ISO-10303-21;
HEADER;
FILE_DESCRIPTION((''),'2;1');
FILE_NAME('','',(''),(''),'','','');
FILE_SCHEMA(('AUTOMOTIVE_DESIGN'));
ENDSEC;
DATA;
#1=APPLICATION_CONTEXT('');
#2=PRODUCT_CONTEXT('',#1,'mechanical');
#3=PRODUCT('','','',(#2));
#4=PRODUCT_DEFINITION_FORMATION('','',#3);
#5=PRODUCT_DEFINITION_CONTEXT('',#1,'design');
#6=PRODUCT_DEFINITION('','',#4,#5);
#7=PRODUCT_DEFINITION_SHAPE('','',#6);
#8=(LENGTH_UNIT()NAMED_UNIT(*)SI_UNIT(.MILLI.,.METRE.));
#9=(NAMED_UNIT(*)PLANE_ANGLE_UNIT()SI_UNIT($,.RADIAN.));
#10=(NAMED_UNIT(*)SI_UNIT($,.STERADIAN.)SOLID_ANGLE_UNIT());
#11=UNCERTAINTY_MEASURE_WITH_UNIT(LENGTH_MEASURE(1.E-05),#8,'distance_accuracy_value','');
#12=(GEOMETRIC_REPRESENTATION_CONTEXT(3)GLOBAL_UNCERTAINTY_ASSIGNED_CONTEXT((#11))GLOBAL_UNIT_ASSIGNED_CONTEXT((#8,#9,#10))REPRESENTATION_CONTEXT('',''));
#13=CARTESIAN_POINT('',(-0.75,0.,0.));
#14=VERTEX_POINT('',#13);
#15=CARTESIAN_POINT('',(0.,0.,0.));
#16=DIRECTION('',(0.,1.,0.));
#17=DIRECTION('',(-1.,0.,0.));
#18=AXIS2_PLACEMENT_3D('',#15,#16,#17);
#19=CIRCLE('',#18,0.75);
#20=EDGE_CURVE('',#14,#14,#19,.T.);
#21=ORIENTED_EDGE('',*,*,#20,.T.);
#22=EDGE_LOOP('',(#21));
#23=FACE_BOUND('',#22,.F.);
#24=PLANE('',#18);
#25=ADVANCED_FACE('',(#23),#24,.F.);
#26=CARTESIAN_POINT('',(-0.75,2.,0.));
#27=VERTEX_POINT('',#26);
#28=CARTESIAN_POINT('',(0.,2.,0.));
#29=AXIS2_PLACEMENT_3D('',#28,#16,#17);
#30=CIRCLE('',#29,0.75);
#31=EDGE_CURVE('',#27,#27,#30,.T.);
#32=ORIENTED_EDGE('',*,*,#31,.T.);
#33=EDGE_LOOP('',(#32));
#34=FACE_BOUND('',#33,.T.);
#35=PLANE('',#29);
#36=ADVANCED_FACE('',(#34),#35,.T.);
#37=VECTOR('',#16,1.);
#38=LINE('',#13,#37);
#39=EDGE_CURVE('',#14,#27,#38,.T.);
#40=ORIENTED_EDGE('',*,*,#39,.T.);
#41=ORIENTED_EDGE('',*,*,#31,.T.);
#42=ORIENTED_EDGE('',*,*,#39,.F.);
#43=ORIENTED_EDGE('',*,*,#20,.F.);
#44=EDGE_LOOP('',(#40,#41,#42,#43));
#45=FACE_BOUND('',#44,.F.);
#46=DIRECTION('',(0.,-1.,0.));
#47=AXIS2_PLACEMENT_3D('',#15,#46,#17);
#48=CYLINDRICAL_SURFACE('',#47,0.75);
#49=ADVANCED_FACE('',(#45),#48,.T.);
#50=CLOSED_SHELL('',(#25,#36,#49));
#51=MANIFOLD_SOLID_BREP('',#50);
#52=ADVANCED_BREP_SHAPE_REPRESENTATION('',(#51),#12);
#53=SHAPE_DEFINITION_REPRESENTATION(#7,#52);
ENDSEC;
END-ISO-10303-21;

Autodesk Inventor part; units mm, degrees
ref_plane "YZ Plane" through (0, 0, 0) normal (1, 0, 0) x (0, 1, 0)
ref_plane "XZ Plane" through (0, 0, 0) normal (0, 1, 0) x (-1, 0, 0)
ref_plane "XY Plane" through (0, 0, 0) normal (0, 0, 1) x (1, 0, 0)
sketch "草圖1" plane through (0, 0, 0) normal (0, 1, 0) x (-1, 0, 0)
  circle A0 centre (0, 0) radius 0.75
  dimension "d0" = 1.5
extrude "擠出1" add sketch "草圖1" along normal blind 2
properties part number "軸2mm"
